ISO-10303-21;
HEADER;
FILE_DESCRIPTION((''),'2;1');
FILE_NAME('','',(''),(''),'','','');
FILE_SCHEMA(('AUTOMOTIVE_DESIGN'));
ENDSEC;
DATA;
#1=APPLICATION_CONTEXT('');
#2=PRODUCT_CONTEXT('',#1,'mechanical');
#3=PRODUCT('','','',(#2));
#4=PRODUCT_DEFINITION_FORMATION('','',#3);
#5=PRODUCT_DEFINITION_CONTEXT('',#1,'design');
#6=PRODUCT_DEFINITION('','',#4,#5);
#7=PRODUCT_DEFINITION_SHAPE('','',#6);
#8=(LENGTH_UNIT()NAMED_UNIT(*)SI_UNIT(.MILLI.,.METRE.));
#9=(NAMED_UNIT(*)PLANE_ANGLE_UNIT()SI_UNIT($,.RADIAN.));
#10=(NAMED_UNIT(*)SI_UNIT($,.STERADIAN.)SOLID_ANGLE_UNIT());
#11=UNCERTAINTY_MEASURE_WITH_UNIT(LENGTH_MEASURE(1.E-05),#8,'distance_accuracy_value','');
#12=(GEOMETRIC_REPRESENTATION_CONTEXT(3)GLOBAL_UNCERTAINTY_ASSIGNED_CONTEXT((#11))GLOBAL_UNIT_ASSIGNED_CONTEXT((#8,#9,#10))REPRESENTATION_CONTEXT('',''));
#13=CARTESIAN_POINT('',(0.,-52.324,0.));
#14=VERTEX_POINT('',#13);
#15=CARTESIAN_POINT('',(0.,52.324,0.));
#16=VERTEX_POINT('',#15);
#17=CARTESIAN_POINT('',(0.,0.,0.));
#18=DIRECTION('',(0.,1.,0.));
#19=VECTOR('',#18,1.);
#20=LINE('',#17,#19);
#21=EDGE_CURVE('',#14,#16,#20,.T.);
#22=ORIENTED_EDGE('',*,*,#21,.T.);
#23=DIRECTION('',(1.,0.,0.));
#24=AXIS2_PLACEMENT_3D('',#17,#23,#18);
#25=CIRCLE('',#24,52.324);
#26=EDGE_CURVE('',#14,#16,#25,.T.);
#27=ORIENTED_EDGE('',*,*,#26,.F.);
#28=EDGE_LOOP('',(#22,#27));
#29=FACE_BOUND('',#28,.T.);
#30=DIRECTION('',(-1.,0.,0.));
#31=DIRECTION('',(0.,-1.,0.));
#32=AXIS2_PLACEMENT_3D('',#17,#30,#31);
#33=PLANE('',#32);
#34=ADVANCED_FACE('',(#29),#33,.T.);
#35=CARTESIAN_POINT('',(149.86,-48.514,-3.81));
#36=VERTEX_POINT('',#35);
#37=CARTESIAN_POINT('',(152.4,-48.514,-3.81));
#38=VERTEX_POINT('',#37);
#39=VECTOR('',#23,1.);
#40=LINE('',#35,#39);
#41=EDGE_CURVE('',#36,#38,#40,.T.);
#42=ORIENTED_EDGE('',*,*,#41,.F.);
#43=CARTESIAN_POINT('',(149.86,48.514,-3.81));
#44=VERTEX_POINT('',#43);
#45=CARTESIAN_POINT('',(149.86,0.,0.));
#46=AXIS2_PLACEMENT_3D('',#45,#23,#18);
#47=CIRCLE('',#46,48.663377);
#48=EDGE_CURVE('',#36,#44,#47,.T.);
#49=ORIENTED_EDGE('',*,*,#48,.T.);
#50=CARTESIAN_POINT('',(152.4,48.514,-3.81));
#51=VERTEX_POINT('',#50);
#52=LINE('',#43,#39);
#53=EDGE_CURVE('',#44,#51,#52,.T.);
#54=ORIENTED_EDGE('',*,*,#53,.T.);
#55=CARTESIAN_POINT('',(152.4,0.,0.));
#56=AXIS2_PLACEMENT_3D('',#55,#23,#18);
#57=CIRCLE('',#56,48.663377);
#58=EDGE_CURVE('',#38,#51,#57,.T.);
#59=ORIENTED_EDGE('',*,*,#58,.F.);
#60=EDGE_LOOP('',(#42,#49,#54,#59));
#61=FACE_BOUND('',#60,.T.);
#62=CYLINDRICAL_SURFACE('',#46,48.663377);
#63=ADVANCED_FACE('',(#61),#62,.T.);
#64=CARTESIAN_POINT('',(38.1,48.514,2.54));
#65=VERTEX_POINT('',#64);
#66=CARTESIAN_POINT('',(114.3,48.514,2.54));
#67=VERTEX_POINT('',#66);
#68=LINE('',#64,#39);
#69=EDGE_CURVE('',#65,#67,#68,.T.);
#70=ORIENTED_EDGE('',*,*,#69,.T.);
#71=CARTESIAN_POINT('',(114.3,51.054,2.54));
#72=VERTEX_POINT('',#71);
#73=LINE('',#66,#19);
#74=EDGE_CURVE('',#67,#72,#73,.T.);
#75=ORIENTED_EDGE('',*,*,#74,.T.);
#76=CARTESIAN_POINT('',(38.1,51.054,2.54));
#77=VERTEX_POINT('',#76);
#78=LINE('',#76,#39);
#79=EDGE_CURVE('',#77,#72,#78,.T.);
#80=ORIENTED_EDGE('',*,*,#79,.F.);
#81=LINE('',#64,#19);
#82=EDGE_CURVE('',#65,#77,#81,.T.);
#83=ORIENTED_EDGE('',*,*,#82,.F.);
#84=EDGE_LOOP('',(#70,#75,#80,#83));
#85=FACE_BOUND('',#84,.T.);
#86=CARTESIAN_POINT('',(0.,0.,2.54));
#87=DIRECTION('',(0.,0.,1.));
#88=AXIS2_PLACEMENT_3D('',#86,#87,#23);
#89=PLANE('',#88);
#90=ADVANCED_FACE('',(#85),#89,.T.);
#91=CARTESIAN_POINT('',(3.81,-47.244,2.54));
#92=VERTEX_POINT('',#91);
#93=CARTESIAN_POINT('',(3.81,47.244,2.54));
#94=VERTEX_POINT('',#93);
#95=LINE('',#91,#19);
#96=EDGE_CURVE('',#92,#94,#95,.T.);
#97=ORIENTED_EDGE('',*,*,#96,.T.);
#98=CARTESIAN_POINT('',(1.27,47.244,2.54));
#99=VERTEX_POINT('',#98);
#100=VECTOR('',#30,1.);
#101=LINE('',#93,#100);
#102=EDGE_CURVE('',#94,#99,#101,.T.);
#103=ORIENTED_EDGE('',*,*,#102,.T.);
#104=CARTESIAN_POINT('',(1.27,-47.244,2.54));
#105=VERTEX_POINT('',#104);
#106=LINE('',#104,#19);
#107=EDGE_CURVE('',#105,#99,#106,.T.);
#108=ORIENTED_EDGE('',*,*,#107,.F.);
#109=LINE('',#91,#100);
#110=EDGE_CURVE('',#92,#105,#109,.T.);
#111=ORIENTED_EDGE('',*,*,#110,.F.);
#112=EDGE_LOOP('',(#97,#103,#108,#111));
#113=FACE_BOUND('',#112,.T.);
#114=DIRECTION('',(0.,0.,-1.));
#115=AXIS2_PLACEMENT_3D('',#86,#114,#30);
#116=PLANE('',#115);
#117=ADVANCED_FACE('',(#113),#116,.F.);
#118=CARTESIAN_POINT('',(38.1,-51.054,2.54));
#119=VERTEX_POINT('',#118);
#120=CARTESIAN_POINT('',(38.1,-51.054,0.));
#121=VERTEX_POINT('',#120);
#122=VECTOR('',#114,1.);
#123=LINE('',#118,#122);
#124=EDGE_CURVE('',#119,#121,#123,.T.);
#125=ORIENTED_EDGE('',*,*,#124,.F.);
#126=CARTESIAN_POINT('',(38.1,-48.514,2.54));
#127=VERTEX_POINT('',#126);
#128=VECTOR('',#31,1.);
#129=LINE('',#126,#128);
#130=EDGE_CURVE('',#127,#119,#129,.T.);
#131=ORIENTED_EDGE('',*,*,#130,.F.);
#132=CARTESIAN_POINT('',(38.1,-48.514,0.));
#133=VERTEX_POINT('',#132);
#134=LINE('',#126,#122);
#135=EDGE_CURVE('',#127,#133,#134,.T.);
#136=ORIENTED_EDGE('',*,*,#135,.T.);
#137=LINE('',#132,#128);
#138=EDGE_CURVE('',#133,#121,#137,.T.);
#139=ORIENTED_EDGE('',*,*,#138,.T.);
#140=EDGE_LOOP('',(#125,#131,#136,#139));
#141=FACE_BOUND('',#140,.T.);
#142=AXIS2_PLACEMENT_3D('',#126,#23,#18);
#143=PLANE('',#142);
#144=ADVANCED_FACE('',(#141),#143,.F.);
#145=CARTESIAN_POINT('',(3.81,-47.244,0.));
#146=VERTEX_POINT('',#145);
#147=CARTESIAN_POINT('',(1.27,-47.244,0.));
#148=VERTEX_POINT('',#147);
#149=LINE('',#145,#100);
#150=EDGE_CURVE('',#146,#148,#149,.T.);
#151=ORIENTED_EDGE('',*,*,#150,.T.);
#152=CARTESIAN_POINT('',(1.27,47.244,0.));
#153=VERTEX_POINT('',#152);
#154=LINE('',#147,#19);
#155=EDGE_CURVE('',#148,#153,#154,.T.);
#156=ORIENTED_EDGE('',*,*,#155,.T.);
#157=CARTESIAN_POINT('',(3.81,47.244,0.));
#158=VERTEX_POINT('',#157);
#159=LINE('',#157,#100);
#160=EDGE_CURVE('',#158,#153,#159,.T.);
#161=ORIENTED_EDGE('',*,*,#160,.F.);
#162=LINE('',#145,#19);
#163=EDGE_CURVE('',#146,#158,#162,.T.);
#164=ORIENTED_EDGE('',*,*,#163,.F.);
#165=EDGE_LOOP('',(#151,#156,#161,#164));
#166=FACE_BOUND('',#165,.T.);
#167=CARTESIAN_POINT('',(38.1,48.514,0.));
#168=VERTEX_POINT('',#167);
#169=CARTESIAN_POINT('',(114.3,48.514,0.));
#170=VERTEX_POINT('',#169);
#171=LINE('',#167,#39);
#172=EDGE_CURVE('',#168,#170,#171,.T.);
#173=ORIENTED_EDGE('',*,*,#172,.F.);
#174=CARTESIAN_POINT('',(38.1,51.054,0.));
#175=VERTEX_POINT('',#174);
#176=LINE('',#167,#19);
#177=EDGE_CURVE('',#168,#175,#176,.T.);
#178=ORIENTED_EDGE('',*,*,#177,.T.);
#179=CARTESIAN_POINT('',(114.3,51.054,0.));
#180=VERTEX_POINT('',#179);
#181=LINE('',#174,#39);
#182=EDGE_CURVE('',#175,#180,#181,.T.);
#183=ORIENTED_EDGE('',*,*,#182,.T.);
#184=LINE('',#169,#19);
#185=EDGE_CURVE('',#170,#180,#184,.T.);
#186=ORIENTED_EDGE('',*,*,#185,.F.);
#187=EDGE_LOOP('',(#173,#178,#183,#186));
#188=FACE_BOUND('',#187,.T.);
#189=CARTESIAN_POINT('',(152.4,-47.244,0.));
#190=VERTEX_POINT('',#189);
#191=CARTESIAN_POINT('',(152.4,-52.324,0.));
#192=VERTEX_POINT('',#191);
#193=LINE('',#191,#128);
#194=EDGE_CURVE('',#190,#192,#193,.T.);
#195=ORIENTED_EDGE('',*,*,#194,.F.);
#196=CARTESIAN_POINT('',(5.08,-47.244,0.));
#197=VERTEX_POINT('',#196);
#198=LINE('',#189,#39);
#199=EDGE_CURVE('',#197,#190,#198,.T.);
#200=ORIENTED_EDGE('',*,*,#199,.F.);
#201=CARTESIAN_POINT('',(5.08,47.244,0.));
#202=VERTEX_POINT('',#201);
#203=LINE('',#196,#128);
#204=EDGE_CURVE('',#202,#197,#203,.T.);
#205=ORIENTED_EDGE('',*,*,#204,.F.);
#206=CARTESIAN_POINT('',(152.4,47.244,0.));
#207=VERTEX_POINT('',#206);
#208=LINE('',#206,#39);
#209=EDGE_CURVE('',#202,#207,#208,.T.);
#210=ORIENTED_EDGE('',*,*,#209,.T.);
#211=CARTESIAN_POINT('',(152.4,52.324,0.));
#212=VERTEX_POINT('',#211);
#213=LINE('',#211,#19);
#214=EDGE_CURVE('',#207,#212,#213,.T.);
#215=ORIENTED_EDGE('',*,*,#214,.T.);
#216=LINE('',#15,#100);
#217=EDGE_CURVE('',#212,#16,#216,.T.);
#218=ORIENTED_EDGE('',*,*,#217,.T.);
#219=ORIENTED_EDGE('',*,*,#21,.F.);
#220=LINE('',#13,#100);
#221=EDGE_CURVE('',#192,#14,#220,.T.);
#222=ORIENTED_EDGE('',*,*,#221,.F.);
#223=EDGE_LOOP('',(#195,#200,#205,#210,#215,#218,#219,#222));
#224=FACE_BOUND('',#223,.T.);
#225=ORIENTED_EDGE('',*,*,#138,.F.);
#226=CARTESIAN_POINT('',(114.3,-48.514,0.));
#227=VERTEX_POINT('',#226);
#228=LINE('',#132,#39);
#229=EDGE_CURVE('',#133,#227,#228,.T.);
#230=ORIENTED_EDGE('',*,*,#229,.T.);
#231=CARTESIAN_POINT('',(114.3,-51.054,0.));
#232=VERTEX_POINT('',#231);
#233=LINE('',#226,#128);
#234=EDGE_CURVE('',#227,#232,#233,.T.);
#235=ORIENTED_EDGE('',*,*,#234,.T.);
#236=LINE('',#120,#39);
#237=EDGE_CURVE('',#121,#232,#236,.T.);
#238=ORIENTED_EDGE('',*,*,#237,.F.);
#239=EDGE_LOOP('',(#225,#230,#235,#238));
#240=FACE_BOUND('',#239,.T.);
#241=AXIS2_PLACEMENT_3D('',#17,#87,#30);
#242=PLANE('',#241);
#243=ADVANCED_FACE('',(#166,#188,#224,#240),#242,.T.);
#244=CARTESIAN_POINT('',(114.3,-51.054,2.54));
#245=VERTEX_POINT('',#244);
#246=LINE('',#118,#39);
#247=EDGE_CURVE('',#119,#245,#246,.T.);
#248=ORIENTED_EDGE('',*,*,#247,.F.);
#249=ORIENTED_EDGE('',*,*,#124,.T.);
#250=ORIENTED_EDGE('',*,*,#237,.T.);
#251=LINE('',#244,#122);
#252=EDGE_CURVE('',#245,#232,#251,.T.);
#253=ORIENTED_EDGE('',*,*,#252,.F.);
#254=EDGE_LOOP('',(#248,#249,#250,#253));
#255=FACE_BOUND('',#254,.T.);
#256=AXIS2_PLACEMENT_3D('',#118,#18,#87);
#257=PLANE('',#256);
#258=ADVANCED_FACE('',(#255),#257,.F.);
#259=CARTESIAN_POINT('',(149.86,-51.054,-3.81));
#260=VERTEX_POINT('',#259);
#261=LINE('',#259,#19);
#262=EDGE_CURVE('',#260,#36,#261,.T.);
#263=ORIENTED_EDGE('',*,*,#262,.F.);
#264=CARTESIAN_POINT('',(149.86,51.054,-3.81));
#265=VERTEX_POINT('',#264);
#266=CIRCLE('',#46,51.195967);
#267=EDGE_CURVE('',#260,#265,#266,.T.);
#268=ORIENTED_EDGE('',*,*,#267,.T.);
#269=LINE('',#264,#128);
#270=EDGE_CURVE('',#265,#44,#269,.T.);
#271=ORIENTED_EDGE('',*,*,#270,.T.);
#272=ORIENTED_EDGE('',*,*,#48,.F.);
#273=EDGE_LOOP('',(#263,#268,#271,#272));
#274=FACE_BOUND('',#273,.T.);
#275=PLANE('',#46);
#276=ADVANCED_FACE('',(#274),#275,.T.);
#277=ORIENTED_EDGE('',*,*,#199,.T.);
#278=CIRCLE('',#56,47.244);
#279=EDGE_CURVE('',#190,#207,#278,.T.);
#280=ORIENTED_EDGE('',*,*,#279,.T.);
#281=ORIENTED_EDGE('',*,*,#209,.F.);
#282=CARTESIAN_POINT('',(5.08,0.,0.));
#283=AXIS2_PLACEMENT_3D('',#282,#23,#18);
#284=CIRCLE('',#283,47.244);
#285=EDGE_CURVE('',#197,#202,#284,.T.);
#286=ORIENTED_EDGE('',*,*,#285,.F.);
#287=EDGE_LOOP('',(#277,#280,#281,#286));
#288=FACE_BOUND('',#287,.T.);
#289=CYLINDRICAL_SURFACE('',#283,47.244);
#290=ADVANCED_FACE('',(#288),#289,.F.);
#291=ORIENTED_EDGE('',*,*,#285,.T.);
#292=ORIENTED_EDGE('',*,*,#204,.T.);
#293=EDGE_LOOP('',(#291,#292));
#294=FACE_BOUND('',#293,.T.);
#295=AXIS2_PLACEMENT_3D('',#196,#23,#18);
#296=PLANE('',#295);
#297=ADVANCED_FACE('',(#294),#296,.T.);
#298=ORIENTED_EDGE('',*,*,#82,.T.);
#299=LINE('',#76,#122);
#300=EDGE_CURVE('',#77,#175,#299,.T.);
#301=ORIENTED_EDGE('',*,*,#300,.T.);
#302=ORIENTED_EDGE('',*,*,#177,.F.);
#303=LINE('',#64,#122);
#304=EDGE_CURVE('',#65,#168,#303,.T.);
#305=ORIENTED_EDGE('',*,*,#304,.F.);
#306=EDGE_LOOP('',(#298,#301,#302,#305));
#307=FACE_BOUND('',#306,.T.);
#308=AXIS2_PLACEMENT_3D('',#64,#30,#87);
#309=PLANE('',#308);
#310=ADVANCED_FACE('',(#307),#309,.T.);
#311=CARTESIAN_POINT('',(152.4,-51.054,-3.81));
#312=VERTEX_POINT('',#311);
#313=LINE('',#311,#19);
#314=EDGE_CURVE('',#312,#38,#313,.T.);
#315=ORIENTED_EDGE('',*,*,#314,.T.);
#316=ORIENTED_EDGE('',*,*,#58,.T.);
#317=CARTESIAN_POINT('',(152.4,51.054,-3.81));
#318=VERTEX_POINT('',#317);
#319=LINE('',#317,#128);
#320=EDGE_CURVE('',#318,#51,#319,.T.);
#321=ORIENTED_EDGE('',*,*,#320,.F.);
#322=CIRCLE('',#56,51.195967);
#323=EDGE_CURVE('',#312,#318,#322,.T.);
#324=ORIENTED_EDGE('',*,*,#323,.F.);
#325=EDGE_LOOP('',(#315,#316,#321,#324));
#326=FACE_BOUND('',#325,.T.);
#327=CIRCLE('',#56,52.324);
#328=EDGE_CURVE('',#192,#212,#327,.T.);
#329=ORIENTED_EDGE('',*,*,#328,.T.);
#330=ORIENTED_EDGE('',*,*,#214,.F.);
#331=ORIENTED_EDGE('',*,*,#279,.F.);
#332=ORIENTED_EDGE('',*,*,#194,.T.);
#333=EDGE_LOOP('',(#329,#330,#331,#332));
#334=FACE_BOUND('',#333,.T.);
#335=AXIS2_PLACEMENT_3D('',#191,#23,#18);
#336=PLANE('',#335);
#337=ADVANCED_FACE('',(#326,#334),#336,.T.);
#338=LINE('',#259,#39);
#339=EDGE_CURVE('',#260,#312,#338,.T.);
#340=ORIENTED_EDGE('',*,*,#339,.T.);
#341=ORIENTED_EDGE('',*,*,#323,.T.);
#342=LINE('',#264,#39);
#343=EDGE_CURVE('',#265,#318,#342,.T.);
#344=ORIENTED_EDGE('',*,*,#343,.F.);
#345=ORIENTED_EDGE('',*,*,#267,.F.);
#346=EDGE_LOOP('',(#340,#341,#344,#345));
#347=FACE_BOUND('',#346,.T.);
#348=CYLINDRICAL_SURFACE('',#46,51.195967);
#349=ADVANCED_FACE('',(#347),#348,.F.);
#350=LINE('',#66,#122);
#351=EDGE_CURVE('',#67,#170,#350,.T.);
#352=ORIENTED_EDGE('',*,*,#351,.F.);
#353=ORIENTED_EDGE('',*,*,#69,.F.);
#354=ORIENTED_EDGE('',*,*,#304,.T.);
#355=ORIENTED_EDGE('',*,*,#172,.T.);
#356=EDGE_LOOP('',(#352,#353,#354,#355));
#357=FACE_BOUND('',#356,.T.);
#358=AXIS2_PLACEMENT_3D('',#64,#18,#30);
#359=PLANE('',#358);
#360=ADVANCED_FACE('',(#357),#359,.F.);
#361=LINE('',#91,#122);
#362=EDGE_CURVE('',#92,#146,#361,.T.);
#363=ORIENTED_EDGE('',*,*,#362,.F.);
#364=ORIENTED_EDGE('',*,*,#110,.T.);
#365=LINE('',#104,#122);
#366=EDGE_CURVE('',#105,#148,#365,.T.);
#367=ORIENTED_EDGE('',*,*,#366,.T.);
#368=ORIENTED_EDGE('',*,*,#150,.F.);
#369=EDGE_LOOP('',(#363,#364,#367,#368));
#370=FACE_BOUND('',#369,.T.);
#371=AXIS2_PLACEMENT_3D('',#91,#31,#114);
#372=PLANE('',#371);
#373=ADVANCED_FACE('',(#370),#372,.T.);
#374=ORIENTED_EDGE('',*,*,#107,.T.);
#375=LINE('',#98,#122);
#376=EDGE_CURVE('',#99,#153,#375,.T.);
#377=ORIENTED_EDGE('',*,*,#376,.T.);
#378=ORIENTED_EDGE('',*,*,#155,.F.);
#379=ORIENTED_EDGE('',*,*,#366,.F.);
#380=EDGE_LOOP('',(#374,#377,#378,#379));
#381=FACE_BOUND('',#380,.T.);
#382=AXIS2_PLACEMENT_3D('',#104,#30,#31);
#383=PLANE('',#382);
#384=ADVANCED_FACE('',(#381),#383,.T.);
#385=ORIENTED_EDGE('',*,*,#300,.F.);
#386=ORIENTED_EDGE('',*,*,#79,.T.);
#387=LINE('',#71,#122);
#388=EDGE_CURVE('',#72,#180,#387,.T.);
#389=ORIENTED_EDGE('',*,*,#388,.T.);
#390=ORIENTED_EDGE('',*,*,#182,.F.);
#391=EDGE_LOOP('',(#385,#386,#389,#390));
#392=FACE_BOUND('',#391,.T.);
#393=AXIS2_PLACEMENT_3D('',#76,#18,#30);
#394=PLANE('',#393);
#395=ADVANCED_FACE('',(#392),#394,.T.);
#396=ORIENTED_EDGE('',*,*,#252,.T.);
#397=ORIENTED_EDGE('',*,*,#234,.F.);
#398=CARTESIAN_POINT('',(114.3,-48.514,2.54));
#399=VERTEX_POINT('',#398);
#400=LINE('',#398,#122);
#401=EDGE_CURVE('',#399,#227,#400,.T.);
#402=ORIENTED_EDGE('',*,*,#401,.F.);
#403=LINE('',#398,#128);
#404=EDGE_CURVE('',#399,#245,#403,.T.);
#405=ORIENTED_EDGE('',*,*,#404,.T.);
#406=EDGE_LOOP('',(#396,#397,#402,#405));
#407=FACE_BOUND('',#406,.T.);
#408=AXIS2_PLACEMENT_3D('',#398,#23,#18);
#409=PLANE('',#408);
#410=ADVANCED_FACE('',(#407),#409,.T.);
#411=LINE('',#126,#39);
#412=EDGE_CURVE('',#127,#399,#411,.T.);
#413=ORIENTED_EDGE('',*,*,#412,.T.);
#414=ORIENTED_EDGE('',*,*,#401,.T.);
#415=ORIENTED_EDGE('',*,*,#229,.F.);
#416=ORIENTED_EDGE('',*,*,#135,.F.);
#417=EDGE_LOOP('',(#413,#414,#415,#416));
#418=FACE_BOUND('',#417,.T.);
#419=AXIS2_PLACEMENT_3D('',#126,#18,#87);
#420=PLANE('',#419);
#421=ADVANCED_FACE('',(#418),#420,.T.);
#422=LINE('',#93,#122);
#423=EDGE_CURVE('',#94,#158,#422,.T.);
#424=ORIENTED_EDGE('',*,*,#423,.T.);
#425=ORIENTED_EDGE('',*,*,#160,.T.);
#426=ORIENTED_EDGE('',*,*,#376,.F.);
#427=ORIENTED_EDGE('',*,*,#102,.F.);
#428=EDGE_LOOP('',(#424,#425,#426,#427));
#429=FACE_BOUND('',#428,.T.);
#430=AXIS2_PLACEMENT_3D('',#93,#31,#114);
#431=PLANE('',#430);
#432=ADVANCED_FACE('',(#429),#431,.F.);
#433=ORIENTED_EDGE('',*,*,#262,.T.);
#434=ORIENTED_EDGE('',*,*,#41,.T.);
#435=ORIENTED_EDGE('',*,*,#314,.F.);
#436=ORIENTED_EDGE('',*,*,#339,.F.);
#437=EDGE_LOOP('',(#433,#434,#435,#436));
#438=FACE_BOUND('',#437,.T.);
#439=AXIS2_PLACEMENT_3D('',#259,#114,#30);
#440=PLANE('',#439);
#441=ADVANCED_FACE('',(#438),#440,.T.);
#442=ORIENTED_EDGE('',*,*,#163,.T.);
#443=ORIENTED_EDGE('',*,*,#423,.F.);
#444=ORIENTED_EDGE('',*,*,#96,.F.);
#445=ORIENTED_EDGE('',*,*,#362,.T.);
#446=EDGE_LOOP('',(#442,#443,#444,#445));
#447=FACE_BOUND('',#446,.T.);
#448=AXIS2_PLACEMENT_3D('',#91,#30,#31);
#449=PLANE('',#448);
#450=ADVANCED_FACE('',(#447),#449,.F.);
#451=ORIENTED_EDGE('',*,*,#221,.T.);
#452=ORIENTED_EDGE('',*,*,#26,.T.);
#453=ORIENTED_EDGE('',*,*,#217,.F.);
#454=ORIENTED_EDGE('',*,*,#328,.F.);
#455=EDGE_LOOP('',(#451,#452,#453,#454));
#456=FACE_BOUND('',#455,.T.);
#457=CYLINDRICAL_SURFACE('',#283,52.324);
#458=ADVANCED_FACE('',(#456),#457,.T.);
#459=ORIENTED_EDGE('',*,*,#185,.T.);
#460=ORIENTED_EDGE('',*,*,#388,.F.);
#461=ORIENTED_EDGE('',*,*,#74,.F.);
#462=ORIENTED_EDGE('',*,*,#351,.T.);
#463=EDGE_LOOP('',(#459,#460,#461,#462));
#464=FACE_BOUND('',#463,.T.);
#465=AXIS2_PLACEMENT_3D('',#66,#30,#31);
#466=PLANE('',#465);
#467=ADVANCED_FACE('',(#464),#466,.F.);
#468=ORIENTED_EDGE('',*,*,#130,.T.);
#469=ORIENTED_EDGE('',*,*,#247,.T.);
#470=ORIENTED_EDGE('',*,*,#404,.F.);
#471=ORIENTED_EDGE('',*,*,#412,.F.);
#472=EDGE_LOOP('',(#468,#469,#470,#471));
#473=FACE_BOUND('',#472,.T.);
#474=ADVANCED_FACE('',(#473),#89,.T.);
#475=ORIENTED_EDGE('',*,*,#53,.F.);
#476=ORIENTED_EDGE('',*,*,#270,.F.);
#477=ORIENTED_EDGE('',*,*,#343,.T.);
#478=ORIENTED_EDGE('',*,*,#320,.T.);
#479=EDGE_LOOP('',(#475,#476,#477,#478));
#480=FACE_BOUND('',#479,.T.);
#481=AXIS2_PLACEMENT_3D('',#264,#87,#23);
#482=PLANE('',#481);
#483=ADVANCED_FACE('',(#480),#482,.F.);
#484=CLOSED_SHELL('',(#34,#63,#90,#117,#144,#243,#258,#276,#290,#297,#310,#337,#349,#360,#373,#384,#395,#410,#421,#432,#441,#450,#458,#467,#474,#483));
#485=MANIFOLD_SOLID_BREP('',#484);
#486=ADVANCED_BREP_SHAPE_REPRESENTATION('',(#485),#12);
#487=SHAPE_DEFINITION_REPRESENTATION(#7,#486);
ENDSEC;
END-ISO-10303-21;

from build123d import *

# Parameters (mm, degrees)
REVOLVE1_ANGLE      = 180
SKETCH4_W           = 2.54
SKETCH4_H           = 94.488
SKETCH4_W_2         = 76.2
SKETCH4_H_2         = 2.54
BOSS_EXTRUDE1_DEPTH = 2.54
CUT_EXTRUDE1_DEPTH  = 2.54


with BuildPart() as part:
    # Sketch1 → Revolve1 (revolve)
    with BuildSketch(Plane.XY):
        Polygon((0, 0), (0, 52.324), (152.4, 52.324), (152.4, 47.244), (5.08, 47.244), (5.08, 0), align=None)
    revolve(axis=Axis((5.08, 0, 0), (-1, 0, 0)), revolution_arc=REVOLVE1_ANGLE)

    # Sketch4 → Boss-Extrude1 (add)
    with BuildSketch(Plane.XY):
        with Locations((2.54, 0)):
            Rectangle(SKETCH4_W, SKETCH4_H)
        with Locations((76.2, 49.784)):
            Rectangle(SKETCH4_W_2, SKETCH4_H_2)
        with Locations((76.2, -49.784)):
            Rectangle(SKETCH4_W_2, SKETCH4_H_2)
    extrude(amount=BOSS_EXTRUDE1_DEPTH)

    # Sketch5 → Cut-Extrude1 (cut)
    with BuildSketch(Plane(origin=(152.4, 0, 0), x_dir=(0, 0, -1), z_dir=(1, 0, 0))):
        with BuildLine():
            Line((3.81, 51.054), (3.81, 48.514))
            ThreePointArc((3.81, 48.514), (48.663377359, 0), (3.81, -48.514))
            Line((3.81, -48.514), (3.81, -51.054))
            ThreePointArc((3.81, -51.054), (51.195966794, 0), (3.81, 51.054))
        make_face()
    extrude(amount=-CUT_EXTRUDE1_DEPTH, mode=Mode.SUBTRACT)


solid = part.part
